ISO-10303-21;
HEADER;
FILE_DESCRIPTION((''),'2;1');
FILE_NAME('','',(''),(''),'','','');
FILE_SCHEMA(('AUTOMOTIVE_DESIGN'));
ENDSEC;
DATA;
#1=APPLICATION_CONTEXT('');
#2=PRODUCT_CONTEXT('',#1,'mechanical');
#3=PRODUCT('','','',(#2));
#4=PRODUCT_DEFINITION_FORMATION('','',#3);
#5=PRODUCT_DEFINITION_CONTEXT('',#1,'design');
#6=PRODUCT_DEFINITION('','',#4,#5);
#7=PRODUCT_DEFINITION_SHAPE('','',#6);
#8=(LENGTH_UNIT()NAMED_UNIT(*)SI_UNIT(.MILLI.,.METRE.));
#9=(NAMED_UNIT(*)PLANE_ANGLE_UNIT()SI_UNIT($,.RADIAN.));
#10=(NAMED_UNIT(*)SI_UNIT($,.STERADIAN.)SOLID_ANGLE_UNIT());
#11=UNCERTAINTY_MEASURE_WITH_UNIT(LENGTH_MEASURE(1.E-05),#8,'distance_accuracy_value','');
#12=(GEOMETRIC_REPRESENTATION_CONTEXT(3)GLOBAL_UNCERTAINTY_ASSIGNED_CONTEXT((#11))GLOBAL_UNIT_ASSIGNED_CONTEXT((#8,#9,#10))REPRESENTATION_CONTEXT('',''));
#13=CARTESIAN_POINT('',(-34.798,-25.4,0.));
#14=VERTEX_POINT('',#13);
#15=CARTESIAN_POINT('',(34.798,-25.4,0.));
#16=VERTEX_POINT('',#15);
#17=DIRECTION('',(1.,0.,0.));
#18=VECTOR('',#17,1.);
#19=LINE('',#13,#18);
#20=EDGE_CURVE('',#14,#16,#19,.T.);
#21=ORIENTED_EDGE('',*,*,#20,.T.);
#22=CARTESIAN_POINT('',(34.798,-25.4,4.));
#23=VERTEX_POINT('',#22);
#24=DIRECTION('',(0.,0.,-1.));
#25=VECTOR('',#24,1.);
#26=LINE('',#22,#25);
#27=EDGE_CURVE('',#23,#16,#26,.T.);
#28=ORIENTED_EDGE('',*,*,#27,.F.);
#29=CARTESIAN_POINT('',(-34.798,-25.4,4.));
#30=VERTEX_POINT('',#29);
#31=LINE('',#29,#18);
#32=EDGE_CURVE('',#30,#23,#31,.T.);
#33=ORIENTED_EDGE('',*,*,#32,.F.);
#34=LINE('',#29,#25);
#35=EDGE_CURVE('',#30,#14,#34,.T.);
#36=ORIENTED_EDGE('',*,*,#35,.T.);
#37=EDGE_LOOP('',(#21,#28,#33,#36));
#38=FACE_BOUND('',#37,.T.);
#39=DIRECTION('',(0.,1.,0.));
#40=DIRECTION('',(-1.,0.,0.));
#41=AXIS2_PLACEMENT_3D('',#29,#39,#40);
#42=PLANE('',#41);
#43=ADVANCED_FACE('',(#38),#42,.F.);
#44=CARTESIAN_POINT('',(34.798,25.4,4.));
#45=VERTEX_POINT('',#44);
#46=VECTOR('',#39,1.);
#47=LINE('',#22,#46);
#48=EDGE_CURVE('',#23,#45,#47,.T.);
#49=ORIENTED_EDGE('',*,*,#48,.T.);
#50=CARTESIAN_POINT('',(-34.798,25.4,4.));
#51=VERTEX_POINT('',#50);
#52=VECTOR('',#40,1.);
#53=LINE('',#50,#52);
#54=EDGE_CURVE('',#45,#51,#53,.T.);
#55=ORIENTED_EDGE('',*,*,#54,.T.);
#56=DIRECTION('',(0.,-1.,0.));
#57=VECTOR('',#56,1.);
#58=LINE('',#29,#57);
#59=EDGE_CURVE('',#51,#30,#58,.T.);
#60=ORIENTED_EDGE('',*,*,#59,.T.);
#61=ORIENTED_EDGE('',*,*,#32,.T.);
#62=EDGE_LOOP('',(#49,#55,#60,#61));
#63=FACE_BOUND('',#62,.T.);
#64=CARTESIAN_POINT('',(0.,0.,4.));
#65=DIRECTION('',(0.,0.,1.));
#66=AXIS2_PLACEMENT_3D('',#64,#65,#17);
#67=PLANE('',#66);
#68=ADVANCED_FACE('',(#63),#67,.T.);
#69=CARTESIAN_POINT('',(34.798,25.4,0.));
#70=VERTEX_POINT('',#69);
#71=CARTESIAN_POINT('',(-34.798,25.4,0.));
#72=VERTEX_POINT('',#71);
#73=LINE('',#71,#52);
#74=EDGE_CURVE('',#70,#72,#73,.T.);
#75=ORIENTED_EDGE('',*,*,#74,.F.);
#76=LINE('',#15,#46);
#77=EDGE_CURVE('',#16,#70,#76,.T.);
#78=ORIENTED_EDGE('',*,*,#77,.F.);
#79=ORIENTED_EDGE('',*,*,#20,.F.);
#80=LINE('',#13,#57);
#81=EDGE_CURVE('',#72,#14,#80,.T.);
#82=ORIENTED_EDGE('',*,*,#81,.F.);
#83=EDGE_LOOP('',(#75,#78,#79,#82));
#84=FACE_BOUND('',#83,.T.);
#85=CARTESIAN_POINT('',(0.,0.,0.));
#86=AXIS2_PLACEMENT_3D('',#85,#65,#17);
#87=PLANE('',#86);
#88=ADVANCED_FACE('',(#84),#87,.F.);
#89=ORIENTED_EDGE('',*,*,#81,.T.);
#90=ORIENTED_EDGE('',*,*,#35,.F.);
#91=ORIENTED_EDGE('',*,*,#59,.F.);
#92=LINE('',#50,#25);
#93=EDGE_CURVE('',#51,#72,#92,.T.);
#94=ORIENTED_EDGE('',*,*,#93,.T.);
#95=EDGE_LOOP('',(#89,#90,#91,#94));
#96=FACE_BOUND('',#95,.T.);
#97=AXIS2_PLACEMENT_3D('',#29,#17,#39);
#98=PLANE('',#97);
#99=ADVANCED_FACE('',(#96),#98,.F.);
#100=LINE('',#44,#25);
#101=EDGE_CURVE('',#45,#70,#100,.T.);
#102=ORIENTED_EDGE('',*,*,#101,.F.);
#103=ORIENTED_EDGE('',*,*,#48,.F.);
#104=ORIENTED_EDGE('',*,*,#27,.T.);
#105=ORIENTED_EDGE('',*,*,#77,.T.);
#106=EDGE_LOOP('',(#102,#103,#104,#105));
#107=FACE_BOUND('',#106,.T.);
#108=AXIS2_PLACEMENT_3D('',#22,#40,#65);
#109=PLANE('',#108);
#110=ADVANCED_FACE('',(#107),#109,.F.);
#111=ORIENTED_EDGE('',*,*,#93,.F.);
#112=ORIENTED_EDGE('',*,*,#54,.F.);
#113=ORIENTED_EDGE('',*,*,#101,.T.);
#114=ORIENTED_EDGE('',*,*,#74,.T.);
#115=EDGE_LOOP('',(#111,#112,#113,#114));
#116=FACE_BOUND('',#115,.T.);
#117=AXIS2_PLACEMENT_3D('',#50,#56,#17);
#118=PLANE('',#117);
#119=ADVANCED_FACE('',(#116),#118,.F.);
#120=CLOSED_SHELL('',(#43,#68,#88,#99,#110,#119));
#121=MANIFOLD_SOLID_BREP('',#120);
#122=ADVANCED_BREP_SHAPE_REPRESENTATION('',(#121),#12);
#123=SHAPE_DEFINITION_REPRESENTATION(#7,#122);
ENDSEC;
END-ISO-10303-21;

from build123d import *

# Parameters (mm, degrees)
SKETCH1_W           = 69.596
SKETCH1_H           = 50.8
BOSS_EXTRUDE1_DEPTH = 4


with BuildPart() as part:
    # Sketch1 → Boss-Extrude1 (new body)
    with BuildSketch(Plane.XY):
        Rectangle(SKETCH1_W, SKETCH1_H)
    extrude(amount=BOSS_EXTRUDE1_DEPTH)


solid = part.part
